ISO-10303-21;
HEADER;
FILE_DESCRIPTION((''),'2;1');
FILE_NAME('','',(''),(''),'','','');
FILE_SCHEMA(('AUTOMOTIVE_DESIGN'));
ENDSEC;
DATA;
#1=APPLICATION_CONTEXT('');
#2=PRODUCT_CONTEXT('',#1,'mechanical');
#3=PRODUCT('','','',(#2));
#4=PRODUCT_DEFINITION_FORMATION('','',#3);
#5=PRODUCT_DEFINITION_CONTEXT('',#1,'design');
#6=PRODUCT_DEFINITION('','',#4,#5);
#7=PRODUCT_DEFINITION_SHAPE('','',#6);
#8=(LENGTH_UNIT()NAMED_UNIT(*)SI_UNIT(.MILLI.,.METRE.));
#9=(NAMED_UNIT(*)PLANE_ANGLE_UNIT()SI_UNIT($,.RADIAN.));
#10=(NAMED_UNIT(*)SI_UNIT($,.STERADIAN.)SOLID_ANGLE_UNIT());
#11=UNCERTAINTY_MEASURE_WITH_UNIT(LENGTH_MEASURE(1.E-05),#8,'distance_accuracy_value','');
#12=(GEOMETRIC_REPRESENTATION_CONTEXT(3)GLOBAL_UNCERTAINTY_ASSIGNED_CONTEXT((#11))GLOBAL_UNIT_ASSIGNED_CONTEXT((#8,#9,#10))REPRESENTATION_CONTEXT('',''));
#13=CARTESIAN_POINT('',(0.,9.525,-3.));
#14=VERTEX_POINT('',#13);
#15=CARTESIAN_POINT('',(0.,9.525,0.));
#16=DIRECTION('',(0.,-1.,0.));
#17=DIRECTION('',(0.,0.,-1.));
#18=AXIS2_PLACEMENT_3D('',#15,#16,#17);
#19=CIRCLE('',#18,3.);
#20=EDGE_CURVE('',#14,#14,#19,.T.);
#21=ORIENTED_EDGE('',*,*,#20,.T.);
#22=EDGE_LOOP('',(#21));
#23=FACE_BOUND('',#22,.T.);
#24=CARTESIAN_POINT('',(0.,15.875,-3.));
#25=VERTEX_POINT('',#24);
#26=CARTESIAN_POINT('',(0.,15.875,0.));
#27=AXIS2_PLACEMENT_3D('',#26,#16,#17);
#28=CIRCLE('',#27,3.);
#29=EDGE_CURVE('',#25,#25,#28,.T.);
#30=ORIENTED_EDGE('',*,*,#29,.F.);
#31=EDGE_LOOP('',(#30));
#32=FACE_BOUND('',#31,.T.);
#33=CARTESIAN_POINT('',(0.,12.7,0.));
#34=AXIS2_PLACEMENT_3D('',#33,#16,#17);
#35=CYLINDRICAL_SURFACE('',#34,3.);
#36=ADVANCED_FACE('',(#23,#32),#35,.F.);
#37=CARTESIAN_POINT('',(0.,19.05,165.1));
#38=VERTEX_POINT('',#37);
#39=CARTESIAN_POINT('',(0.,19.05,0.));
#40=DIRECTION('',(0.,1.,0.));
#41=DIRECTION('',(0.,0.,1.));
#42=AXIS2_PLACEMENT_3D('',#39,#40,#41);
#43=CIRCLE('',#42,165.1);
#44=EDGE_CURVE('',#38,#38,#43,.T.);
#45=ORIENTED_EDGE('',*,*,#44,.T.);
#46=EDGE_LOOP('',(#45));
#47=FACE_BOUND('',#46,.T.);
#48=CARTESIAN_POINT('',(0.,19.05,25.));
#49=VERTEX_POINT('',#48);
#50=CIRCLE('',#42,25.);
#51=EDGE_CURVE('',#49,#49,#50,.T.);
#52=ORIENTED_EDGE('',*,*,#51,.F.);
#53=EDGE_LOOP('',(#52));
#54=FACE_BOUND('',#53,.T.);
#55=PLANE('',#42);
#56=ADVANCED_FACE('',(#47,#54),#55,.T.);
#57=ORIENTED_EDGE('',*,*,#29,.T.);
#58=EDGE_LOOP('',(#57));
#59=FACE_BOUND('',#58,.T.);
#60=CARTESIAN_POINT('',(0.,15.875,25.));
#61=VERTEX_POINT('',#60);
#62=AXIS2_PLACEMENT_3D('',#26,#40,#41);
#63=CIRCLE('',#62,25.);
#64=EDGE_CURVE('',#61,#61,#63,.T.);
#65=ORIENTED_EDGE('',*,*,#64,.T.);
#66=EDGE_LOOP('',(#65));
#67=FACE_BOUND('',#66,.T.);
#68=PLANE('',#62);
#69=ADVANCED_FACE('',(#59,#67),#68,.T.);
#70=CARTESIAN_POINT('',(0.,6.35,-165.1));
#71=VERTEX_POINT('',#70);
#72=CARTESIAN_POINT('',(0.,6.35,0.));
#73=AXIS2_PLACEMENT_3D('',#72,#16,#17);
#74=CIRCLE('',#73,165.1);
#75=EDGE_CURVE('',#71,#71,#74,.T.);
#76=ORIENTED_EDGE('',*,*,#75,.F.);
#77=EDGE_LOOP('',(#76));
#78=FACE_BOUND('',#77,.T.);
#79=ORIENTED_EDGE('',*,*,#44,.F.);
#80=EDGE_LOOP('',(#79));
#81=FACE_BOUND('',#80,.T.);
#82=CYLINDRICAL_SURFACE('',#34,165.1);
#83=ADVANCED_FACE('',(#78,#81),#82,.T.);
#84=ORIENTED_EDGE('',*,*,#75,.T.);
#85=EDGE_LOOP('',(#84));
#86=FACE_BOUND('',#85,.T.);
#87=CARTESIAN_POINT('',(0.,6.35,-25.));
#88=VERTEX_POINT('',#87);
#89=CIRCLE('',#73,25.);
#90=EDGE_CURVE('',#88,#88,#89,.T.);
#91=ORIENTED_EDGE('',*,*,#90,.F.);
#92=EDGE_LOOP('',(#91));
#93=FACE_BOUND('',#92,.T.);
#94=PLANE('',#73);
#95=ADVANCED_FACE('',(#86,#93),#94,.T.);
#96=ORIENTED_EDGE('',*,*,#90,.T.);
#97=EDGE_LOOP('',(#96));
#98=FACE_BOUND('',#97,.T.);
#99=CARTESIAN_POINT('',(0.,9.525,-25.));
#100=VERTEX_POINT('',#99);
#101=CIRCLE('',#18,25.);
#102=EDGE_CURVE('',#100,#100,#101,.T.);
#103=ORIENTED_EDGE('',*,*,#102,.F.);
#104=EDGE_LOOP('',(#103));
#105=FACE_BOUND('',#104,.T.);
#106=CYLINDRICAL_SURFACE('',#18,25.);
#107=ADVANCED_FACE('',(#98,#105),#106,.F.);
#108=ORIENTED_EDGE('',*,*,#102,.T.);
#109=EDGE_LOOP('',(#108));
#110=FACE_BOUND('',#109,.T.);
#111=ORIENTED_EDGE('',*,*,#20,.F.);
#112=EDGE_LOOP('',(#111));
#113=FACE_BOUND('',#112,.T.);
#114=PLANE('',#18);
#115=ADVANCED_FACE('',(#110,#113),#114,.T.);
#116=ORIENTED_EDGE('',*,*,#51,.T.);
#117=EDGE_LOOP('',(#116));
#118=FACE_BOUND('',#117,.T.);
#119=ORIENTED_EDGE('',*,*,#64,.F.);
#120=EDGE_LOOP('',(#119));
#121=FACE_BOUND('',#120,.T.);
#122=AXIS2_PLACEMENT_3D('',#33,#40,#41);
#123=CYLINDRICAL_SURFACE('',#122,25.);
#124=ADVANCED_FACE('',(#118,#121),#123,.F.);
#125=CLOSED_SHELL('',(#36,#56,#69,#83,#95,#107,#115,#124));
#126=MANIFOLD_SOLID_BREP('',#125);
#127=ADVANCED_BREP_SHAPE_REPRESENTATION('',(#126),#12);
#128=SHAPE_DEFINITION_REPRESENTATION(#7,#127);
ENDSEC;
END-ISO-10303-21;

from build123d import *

# Parameters (mm, degrees)
SKETCH1_R           = 165.1
SKETCH1_R_2         = 3
BOSS_EXTRUDE1_DEPTH = 12.7
SKETCH7_R           = 165.1
SKETCH7_R_2         = 3
BOSS_EXTRUDE3_DEPTH = 6.35
SKETCH8_R           = 25
CUT_EXTRUDE1_DEPTH  = 6.35
CUT_EXTRUDE2_START  = -6.35
SKETCH9_R           = 25
CUT_EXTRUDE2_DEPTH  = 6.35
SKETCH10_R          = 165.1
CUT_EXTRUDE3_DEPTH  = 6.35
CUT_EXTRUDE5_START  = -3.175
SKETCH11_R          = 25
CUT_EXTRUDE5_DEPTH  = 3.175
BOSS_EXTRUDE4_START = 3.175
SKETCH12_R          = 25
BOSS_EXTRUDE4_DEPTH = 3.175
SKETCH13_R          = 3
CUT_EXTRUDE6_DEPTH  = 3.175


with BuildPart() as part:
    # Sketch1 → Boss-Extrude1 (new body)
    with BuildSketch(Plane(origin=(0, 0, 0), x_dir=(1, 0, 0), z_dir=(0, 1, 0))):
        with Locations(Location((0, 0, 0), (0, 0, 270))):
            Circle(SKETCH1_R)
        with Locations(Location((0, 0, 0), (0, 0, 270))):
            Circle(SKETCH1_R_2, mode=Mode.SUBTRACT)
    extrude(amount=BOSS_EXTRUDE1_DEPTH)

    # Sketch7 → Boss-Extrude3 (add)
    with BuildSketch(Plane(origin=(0, 12.7, 0), x_dir=(1, 0, 0), z_dir=(0, 1, 0))):
        with Locations(Location((0, 0, 0), (0, 0, 270))):
            Circle(SKETCH7_R)
        with Locations(Location((0, 0, 0), (0, 0, 270))):
            Circle(SKETCH7_R_2, mode=Mode.SUBTRACT)
    extrude(amount=BOSS_EXTRUDE3_DEPTH)

    # Sketch8 → Cut-Extrude1 (cut)
    with BuildSketch(Plane(origin=(0, 19.05, 0), x_dir=(1, 0, 0), z_dir=(0, 1, 0))):
        with Locations(Location((0, 0, 0), (0, 0, 270))):
            Circle(SKETCH8_R)
    extrude(amount=-CUT_EXTRUDE1_DEPTH, mode=Mode.SUBTRACT)

    # Sketch9 → Cut-Extrude2 (cut)
    with BuildSketch(Plane.XZ.offset(CUT_EXTRUDE2_START)):
        with Locations(Location((0, 0, 0), (0, 0, 90))):
            Circle(SKETCH9_R)
    extrude(amount=CUT_EXTRUDE2_DEPTH, mode=Mode.SUBTRACT)

    # Sketch10 → Cut-Extrude3 (cut)
    with BuildSketch(Plane.XZ):
        with Locations(Location((0, 0, 0), (0, 0, 270))):
            Circle(SKETCH10_R)
    extrude(amount=-CUT_EXTRUDE3_DEPTH, mode=Mode.SUBTRACT)

    # Sketch11 → Cut-Extrude5 (cut)
    with BuildSketch(Plane.XZ.offset(-6.35).offset(CUT_EXTRUDE5_START)):
        with Locations(Location((0, 0, 0), (0, 0, 90))):
            Circle(SKETCH11_R)
    extrude(amount=CUT_EXTRUDE5_DEPTH, mode=Mode.SUBTRACT)

    # Sketch12 → Boss-Extrude4 (add)
    with BuildSketch(Plane(origin=(0, 12.7, 0), x_dir=(1, 0, 0), z_dir=(0, 1, 0)).offset(BOSS_EXTRUDE4_START)):
        with Locations(Location((0, 0, 0), (0, 0, 270))):
            Circle(SKETCH12_R)
    extrude(amount=-BOSS_EXTRUDE4_DEPTH)

    # Sketch13 → Cut-Extrude6 (cut)
    with BuildSketch(Plane.XZ.offset(-12.7)):
        with Locations(Location((0, 0, 0), (0, 0, 270))):
            Circle(SKETCH13_R)
    extrude(amount=-CUT_EXTRUDE6_DEPTH, mode=Mode.SUBTRACT)


solid = part.part
